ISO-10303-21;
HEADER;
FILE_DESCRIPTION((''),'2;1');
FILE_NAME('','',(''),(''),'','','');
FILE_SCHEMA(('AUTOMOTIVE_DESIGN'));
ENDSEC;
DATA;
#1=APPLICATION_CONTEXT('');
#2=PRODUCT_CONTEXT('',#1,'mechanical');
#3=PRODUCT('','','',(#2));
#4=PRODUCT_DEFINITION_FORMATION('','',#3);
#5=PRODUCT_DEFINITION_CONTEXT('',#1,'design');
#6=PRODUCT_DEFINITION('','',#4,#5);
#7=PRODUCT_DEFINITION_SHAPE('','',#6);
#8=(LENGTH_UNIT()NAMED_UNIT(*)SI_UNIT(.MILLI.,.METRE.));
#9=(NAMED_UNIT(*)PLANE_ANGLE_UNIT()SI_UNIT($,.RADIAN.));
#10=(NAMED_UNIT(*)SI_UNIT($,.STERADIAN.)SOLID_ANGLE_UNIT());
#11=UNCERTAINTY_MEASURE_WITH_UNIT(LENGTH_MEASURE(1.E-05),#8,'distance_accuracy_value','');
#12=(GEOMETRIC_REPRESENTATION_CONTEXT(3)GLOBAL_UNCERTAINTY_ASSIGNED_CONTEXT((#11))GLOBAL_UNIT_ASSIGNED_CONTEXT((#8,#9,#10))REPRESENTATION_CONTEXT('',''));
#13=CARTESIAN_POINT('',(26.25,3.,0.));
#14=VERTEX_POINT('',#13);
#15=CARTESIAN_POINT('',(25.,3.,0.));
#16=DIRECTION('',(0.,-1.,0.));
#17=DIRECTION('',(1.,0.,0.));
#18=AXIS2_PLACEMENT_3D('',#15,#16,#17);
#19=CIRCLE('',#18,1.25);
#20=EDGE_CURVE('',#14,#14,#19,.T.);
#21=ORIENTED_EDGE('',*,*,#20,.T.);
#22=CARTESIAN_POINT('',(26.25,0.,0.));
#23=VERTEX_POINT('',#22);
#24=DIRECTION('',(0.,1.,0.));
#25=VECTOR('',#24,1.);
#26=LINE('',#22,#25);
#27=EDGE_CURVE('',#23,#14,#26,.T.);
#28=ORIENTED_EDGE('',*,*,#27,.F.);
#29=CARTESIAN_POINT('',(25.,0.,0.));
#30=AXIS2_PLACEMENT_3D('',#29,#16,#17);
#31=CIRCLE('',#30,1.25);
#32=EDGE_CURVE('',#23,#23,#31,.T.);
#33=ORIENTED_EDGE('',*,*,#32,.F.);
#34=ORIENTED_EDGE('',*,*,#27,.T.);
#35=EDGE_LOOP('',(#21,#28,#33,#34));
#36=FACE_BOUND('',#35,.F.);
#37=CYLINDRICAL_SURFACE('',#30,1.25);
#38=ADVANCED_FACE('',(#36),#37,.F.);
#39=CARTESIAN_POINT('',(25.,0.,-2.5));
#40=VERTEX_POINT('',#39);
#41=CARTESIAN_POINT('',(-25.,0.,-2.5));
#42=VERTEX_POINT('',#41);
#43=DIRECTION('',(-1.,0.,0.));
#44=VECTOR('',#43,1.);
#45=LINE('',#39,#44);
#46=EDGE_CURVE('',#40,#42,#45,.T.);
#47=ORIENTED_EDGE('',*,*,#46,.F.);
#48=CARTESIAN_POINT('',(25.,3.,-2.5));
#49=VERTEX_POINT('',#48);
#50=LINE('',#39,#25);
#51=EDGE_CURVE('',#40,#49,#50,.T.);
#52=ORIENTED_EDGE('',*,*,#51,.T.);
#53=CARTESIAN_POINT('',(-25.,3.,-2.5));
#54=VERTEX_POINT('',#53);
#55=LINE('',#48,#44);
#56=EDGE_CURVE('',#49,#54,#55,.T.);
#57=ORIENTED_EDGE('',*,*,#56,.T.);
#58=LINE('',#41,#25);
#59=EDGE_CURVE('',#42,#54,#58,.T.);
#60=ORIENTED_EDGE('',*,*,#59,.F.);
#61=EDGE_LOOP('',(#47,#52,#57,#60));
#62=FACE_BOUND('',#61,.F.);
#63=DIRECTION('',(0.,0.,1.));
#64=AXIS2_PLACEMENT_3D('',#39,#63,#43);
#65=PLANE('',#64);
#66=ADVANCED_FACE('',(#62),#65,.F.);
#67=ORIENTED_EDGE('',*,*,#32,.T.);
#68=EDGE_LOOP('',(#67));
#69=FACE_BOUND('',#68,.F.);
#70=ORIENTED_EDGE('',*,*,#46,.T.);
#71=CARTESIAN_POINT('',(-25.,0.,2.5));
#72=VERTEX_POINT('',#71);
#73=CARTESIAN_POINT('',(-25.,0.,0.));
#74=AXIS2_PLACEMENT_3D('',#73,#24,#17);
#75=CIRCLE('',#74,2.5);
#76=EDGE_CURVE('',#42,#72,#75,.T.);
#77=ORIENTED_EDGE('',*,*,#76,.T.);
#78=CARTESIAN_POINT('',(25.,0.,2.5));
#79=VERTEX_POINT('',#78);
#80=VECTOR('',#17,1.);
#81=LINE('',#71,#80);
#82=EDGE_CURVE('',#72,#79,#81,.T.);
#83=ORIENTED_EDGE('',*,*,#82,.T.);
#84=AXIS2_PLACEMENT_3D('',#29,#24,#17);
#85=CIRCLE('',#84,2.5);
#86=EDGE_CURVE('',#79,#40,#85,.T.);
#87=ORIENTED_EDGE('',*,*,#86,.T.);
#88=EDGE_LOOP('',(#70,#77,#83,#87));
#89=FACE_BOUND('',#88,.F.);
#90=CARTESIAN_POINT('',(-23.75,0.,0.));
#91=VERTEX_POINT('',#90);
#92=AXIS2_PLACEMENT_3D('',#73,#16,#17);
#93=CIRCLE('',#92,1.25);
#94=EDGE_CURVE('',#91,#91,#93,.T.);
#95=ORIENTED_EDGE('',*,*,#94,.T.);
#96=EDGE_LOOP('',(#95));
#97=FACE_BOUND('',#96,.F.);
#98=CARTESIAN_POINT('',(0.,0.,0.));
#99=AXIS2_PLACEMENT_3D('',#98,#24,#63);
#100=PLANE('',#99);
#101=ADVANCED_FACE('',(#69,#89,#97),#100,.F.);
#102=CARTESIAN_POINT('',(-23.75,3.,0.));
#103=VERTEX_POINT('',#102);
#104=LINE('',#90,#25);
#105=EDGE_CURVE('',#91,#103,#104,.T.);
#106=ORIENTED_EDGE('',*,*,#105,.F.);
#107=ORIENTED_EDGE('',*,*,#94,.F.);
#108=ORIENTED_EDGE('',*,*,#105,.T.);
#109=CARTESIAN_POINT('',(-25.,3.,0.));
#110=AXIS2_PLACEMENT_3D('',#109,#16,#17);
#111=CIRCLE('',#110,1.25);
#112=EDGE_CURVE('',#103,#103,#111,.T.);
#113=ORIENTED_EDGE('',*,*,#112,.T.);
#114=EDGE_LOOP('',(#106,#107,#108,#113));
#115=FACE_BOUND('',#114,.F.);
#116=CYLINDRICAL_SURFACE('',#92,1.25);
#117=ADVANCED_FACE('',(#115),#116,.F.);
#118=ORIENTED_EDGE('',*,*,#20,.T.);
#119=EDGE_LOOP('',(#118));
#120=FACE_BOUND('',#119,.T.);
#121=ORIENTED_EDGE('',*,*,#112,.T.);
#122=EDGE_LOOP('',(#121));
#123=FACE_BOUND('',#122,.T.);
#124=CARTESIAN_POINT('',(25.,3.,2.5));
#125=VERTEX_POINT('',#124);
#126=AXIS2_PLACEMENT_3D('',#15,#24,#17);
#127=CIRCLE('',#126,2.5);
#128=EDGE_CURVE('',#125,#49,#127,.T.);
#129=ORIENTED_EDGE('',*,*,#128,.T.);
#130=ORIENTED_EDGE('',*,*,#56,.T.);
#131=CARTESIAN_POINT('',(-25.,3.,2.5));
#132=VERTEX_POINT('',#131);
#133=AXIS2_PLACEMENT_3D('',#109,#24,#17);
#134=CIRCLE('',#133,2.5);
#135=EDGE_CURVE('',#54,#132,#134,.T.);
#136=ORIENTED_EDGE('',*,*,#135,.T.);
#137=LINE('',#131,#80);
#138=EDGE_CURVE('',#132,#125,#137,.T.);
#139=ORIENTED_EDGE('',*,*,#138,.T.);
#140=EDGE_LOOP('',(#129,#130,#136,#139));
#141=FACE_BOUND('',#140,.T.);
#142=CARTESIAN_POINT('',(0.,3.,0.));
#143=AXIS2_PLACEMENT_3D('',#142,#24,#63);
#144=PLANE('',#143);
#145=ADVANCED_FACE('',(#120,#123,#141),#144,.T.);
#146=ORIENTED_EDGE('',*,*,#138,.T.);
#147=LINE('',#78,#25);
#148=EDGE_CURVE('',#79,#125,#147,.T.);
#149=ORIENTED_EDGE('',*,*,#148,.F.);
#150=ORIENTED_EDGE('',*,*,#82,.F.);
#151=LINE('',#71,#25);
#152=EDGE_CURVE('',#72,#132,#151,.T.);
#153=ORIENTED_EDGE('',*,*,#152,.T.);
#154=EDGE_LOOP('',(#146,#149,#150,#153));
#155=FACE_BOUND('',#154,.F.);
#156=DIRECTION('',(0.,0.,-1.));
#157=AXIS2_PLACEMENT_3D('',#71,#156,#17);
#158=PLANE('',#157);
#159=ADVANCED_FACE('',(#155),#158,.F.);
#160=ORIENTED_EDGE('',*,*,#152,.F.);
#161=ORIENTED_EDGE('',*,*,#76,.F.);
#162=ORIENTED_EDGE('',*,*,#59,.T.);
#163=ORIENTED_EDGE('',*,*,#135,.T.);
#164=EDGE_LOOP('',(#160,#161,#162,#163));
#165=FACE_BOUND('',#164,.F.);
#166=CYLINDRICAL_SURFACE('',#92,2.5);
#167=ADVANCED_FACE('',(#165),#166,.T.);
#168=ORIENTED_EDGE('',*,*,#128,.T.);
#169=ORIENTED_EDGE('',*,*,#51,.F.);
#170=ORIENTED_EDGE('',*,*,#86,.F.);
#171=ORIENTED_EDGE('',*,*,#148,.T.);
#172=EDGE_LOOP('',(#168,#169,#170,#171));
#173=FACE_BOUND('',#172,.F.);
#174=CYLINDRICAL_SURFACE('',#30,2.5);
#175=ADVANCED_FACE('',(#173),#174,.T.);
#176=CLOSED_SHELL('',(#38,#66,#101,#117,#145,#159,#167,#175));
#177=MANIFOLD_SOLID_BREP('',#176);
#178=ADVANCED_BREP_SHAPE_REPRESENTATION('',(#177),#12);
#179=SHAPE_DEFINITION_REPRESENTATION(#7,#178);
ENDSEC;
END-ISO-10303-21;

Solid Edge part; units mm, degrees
sketch "Sketch1" plane through (0, 0, 0) normal (0, -1, 0) x (1, 0, 0)
  circle A0 centre (-25, 0) radius 1.25
  circle A1 centre (25, 0) radius 1.25
  line L0 (-25, 2.5) -> (25, 2.5)
  line L1 (25, -2.5) -> (-25, -2.5)
  arc A2 (-25, -2.5) -> (-25, 2.5) centre (-25, 0) cw
  arc A3 (25, 2.5) -> (25, -2.5) centre (25, 0) cw
extrude "Protrusion1" add sketch "Sketch1" against normal blind 3
